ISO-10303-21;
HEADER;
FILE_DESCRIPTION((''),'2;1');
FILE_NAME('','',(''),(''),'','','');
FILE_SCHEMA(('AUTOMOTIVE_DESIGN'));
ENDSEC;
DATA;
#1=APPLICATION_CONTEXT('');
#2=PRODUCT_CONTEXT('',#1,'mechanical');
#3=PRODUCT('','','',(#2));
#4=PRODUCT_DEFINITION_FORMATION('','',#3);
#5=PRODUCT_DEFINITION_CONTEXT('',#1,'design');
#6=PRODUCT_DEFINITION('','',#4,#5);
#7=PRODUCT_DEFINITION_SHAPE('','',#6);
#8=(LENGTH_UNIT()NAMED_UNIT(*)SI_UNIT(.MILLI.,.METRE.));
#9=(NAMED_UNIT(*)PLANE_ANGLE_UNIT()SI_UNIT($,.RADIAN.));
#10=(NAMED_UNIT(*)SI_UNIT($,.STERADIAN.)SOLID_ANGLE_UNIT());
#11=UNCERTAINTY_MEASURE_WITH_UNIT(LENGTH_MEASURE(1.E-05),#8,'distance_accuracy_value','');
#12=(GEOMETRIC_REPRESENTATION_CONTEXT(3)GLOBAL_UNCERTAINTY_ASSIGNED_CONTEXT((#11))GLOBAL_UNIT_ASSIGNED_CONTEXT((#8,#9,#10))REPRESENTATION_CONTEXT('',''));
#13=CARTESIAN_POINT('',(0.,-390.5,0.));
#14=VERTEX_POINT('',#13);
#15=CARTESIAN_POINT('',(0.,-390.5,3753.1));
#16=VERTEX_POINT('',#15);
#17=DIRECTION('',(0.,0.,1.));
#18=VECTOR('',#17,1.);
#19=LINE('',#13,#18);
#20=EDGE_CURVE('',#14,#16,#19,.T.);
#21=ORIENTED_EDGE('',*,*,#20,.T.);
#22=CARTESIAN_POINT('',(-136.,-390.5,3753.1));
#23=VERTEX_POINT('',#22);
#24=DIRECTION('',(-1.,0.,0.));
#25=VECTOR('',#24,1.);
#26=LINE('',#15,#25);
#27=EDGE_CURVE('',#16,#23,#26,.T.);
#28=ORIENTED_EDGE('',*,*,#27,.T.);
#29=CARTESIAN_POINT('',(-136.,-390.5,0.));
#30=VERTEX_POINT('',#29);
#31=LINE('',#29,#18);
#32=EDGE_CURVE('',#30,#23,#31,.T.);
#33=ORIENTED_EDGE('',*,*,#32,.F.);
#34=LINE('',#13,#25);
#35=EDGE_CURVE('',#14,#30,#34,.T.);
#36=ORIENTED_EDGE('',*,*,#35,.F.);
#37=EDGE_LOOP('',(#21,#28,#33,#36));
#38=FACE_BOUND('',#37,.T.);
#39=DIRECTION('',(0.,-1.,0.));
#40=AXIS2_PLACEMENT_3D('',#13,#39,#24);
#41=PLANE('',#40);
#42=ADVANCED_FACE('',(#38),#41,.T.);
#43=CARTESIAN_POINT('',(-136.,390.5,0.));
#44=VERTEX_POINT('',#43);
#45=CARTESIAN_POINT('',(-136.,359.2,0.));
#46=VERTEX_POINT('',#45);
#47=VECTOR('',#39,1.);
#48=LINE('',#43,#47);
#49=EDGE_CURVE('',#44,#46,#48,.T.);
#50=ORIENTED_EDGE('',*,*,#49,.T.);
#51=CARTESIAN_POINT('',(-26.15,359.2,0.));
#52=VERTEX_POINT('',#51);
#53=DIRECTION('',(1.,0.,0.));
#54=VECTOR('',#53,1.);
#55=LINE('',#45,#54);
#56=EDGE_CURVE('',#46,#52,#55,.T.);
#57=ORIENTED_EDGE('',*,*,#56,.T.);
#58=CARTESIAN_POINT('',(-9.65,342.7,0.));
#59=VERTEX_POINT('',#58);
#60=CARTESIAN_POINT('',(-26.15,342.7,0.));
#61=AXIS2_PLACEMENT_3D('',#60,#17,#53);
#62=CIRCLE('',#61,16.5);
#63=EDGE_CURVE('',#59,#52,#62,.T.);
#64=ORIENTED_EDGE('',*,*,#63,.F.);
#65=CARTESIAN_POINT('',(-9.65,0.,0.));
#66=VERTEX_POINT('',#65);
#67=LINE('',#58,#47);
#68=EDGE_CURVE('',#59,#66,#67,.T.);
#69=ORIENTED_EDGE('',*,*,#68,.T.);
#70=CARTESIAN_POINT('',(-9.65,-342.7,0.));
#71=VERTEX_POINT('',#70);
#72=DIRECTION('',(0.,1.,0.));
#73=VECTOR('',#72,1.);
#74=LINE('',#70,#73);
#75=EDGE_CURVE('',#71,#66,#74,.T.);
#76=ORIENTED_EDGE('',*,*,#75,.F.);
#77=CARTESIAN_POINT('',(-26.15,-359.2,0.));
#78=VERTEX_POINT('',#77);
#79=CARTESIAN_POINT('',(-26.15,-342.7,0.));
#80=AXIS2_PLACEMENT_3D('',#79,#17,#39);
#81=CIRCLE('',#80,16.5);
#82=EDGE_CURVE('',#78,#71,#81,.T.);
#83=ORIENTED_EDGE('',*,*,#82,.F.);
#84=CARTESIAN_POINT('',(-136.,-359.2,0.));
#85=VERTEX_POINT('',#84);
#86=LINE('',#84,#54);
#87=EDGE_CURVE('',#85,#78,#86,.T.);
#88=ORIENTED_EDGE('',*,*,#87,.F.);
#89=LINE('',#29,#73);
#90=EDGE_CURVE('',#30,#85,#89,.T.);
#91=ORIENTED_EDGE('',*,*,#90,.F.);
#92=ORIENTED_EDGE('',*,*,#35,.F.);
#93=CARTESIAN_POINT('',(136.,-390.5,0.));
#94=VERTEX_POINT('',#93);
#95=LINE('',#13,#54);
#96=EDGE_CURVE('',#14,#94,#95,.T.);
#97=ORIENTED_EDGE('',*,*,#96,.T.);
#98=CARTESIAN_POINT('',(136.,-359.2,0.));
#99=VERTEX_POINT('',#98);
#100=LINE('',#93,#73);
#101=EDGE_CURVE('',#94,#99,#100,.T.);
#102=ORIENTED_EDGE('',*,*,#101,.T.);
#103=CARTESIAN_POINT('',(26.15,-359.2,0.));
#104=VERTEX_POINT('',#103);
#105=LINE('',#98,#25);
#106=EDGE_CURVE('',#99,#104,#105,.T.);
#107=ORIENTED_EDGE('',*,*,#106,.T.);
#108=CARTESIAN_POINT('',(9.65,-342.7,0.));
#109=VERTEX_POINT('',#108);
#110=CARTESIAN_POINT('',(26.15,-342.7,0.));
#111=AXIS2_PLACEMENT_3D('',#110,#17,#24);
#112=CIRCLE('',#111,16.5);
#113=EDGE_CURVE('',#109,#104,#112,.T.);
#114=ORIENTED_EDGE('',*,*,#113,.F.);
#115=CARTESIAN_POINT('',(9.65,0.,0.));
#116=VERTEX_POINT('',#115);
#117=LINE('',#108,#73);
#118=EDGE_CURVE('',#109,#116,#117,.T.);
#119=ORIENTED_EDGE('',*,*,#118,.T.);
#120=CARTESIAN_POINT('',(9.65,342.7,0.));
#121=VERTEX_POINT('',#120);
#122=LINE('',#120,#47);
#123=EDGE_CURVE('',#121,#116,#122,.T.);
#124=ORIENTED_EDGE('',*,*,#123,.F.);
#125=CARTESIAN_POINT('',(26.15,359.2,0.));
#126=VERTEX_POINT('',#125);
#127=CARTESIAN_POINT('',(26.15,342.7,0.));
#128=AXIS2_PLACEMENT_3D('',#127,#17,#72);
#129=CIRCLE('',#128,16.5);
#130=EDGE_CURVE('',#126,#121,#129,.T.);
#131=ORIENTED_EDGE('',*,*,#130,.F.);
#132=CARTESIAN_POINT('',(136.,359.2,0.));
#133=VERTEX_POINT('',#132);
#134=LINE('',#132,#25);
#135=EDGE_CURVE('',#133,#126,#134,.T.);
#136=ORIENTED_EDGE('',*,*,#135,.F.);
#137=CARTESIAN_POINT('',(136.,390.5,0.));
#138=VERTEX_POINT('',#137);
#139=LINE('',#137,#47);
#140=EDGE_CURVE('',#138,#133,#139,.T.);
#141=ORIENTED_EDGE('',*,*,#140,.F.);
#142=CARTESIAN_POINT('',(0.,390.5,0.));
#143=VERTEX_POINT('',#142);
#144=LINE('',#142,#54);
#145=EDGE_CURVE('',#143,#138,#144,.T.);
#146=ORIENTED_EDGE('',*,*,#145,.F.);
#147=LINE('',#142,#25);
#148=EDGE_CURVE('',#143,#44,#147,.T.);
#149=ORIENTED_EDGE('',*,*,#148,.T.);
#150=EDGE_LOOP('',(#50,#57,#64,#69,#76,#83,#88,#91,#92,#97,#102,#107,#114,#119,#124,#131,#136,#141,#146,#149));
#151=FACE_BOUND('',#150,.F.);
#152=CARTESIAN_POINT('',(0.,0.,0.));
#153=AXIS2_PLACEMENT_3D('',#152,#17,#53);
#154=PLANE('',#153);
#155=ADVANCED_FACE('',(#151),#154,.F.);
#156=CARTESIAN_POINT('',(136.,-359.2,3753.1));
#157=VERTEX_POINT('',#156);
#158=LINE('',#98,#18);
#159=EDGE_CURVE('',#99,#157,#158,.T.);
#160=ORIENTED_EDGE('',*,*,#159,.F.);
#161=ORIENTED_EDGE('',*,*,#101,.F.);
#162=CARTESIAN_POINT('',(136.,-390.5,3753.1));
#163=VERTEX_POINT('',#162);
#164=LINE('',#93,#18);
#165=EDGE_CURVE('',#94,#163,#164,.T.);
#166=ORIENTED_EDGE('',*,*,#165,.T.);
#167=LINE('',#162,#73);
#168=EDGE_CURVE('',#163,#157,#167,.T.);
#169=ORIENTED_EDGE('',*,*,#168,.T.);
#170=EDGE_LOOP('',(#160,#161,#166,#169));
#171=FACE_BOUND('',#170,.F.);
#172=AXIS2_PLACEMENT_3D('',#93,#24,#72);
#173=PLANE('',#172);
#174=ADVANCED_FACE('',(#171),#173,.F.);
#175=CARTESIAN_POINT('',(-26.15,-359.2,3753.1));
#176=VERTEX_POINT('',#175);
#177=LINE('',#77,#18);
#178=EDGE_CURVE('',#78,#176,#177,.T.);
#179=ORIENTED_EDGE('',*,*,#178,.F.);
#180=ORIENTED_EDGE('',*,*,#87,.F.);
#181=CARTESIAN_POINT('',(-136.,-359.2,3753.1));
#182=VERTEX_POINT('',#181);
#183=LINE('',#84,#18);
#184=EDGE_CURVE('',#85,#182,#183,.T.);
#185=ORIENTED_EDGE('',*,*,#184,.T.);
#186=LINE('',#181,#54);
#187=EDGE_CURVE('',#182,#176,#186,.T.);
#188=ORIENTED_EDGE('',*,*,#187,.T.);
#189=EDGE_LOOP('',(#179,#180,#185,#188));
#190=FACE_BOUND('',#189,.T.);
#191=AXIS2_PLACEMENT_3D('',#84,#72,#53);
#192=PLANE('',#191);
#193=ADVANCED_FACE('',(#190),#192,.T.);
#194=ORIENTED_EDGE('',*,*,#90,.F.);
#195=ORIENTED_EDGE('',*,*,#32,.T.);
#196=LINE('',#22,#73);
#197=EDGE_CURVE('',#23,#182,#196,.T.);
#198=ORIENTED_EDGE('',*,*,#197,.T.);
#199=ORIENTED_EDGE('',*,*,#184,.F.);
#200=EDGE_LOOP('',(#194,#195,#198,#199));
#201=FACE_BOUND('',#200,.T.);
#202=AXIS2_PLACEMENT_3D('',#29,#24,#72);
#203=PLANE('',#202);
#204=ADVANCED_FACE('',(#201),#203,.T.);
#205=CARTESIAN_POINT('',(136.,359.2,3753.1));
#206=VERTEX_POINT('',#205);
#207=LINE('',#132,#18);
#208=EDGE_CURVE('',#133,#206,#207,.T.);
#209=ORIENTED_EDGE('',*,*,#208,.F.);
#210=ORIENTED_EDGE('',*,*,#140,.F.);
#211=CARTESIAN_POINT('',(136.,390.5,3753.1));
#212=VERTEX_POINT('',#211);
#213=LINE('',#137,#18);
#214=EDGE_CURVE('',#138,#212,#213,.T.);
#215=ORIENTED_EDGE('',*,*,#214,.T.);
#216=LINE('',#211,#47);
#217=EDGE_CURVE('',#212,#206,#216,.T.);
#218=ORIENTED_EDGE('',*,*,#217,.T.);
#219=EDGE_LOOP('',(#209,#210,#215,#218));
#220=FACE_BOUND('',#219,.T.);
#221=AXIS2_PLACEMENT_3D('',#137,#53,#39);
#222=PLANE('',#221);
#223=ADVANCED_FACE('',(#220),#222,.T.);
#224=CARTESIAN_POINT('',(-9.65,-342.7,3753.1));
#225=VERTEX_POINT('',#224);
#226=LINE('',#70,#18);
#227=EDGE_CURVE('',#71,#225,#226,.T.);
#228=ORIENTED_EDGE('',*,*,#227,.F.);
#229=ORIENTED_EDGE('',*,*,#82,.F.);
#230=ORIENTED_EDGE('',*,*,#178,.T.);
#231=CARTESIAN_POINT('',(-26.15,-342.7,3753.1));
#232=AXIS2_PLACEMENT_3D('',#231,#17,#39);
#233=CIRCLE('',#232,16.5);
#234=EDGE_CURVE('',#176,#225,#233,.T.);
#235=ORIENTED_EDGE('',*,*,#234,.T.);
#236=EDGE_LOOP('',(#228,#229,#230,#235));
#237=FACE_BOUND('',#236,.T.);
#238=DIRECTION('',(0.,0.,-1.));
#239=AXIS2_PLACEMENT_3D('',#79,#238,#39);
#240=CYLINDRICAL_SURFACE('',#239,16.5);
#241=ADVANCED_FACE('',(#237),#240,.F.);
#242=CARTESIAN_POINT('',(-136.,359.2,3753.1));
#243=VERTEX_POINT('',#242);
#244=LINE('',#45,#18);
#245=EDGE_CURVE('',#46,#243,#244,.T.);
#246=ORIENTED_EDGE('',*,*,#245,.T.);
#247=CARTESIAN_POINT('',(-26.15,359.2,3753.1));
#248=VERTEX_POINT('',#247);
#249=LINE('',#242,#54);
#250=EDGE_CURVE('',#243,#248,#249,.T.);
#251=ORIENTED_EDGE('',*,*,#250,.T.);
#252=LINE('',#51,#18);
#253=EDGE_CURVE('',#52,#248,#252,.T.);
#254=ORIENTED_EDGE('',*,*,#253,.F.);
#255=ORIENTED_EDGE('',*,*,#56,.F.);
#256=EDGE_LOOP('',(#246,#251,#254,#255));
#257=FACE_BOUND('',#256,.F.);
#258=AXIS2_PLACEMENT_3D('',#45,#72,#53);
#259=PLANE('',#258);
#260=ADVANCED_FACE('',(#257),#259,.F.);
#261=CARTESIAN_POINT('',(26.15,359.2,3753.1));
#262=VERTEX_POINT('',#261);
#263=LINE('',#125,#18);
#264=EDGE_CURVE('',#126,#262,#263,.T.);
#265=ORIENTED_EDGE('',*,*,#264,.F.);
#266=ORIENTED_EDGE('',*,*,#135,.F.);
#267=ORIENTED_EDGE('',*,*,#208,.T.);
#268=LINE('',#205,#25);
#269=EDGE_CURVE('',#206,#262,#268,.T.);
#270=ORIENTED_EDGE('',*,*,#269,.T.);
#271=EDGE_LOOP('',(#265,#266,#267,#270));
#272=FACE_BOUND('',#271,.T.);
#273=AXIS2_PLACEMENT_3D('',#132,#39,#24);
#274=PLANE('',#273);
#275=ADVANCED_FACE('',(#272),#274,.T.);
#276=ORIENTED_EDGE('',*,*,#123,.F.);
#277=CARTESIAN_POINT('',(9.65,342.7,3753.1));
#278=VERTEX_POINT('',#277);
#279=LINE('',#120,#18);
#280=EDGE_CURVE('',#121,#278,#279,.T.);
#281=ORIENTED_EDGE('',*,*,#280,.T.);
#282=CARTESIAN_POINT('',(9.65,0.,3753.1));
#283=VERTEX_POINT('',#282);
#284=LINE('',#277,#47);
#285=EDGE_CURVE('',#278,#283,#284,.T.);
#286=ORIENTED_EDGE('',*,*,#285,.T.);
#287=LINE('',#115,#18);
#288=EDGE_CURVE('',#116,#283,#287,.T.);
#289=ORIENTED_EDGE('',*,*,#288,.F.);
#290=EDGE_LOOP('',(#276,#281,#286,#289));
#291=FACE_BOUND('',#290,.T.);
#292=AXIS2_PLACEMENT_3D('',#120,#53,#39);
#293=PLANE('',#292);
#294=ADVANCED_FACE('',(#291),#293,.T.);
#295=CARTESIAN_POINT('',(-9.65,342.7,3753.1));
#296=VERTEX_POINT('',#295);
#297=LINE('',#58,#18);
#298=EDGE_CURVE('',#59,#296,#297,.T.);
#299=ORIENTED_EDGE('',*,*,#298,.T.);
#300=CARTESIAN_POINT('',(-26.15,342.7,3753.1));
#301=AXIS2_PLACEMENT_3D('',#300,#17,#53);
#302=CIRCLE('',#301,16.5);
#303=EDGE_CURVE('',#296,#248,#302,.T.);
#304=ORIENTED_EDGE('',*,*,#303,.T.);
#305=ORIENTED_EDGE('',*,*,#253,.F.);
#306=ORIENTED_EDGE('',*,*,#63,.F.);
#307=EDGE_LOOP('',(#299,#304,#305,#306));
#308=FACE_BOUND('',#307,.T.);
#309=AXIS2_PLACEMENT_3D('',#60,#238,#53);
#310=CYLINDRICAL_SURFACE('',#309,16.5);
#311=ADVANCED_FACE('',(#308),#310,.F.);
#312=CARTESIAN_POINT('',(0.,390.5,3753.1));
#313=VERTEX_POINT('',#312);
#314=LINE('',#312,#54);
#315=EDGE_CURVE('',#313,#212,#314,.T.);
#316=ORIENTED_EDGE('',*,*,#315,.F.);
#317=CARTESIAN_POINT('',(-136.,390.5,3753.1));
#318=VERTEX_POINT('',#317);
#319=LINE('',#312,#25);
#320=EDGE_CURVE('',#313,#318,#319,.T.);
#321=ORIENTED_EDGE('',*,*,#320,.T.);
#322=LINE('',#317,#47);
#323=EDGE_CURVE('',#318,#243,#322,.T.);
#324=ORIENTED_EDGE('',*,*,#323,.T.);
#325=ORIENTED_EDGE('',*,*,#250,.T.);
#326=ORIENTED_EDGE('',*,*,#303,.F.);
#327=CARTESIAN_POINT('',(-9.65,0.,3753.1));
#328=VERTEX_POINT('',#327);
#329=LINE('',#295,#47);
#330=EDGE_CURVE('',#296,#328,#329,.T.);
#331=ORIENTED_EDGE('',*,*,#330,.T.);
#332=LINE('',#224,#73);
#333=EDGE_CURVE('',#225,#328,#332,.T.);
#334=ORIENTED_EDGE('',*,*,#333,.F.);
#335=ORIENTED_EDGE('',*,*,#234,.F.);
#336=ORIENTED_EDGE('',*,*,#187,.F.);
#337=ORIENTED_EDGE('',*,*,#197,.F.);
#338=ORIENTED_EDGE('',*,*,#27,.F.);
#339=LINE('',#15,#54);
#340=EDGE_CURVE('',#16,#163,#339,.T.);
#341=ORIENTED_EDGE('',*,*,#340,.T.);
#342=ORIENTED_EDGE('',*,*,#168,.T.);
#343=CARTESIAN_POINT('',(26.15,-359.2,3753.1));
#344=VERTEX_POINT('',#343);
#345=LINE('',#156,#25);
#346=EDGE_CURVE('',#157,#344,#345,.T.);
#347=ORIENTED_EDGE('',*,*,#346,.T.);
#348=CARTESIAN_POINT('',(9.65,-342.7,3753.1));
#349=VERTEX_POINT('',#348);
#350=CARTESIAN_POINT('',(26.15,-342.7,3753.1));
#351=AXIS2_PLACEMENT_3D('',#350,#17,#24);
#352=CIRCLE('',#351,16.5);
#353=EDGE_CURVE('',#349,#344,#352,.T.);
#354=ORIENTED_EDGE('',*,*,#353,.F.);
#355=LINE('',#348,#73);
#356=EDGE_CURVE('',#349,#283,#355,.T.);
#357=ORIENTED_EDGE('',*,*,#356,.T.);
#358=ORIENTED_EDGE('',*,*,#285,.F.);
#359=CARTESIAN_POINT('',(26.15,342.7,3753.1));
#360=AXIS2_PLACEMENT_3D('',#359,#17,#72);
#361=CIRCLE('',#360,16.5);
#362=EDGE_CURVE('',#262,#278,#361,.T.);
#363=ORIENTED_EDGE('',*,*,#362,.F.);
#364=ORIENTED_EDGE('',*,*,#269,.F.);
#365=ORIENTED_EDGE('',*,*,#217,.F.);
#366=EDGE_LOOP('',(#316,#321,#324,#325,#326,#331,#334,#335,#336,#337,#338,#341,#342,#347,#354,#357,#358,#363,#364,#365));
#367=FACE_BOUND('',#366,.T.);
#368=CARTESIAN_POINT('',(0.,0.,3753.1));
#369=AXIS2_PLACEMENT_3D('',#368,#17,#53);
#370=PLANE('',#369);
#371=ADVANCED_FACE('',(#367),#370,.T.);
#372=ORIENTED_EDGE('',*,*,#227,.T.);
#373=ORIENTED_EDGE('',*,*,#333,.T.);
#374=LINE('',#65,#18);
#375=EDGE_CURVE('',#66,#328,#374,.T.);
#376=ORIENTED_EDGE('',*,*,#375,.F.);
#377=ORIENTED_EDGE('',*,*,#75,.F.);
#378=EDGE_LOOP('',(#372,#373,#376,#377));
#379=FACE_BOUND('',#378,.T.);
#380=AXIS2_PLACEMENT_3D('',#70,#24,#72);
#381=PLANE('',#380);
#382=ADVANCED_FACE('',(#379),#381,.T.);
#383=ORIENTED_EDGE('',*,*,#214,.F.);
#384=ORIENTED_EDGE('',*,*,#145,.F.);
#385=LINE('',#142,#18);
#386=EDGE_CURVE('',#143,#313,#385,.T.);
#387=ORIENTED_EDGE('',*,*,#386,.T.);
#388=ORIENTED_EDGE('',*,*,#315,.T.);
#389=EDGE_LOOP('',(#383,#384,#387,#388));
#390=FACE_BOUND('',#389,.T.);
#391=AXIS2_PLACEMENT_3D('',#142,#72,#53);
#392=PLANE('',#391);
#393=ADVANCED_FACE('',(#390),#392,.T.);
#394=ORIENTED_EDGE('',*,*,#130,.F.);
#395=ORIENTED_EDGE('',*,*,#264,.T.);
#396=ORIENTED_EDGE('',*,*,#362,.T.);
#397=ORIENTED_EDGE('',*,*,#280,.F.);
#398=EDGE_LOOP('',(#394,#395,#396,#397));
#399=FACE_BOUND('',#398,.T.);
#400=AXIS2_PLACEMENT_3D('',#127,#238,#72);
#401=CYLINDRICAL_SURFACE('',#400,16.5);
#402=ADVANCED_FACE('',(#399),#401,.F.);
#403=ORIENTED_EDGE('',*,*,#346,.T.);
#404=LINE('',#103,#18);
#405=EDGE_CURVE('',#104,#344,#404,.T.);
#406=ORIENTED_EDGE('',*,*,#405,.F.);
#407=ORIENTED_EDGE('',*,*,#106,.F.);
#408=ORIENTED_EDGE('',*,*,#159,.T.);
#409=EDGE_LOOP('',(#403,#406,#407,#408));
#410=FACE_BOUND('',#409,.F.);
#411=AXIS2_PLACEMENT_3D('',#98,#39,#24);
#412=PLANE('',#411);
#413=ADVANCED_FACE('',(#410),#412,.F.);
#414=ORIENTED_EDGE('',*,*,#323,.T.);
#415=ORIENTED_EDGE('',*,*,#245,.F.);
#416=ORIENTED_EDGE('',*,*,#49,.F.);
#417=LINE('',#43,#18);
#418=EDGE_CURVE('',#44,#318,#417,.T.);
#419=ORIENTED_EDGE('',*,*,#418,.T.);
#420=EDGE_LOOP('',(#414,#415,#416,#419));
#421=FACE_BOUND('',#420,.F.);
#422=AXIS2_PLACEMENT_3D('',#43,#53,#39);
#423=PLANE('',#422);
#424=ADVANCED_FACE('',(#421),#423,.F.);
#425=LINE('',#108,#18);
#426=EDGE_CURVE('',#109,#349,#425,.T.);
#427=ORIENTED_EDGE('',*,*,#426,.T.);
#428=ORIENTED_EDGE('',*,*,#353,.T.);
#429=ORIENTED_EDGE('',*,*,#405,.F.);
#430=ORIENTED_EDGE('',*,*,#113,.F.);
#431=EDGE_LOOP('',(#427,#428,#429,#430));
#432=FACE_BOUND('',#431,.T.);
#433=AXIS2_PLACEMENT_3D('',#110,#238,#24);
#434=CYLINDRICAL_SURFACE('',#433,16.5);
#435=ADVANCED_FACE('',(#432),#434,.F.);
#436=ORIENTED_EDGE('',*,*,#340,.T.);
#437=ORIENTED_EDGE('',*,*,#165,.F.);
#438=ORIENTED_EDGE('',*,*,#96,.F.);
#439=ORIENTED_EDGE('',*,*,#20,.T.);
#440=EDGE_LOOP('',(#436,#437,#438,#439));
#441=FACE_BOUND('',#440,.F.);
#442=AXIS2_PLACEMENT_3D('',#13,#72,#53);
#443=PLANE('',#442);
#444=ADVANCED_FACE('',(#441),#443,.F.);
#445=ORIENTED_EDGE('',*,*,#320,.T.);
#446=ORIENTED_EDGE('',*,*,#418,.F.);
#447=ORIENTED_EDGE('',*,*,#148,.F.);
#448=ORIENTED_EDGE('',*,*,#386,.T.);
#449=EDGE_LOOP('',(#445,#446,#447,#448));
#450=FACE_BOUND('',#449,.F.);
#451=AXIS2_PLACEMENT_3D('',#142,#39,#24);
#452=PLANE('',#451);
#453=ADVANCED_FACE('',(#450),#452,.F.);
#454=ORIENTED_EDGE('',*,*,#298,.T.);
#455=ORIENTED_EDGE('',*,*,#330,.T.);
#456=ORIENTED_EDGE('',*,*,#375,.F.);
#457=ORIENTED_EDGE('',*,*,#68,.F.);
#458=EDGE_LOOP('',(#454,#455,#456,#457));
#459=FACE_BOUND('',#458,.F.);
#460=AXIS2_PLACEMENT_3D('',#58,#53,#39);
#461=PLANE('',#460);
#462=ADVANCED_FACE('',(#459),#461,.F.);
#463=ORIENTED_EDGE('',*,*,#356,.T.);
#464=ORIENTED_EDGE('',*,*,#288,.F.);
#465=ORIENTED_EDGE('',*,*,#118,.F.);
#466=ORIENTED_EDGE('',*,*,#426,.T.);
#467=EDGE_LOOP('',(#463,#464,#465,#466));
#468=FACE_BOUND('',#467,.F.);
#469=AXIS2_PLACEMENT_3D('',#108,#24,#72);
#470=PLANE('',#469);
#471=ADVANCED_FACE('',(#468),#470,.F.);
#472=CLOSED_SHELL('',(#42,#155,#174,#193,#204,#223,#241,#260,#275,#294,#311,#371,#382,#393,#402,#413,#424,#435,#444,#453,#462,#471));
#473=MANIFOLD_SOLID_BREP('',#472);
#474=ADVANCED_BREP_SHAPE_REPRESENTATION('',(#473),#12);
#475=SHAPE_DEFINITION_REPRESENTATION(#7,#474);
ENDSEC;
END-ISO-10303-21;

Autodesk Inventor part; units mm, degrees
ref_plane "YZ Plane" through (0, 0, 0) normal (1, 0, 0) x (0, 1, 0)
ref_plane "Start plane" through (0, 0, 0) normal (0, 0, 1) x (1, 0, 0)
ref_plane "End plane" through (0, 0, 3753.1) normal (0, 0, 1) x (1, 0, 0)
sketch "Sketch" plane through (0, 0, 0) normal (0, 0, 1) x (1, 0, 0)
  line L0 (-136, -390.5) -> (-136, -359.2)
  line L1 (-136, -359.2) -> (-26.15, -359.2)
  line L2 (-9.65, -342.7) -> (-9.65, 0)
  line L3 (-9.65, 0) -> (0, 0) construction
  line L4 (0, 0) -> (0, -390.5) construction
  line L5 (0, -390.5) -> (-136, -390.5)
  line L6 (-60, 0) -> (80, 0) construction
  line L7 (0, -60) -> (0, 80) construction
  line L8 (136, -390.5) -> (136, -359.2)
  line L9 (136, -359.2) -> (26.15, -359.2)
  line L10 (9.65, -342.7) -> (9.65, 0)
  line L11 (9.65, 0) -> (0, 0) construction
  line L12 (0, -390.5) -> (136, -390.5)
  line L13 (-136, 390.5) -> (-136, 359.2)
  line L14 (-136, 359.2) -> (-26.15, 359.2)
  line L15 (-9.65, 342.7) -> (-9.65, 0)
  line L16 (0, 390.5) -> (-136, 390.5)
  line L17 (136, 390.5) -> (136, 359.2)
  line L18 (136, 359.2) -> (26.15, 359.2)
  line L19 (0, 390.5) -> (136, 390.5)
  line L20 (9.65, 342.7) -> (9.65, 0)
  arc A0 (-9.65, 342.7) -> (-26.15, 359.2) centre (-26.15, 342.7) ccw
  arc A1 (26.15, 359.2) -> (9.65, 342.7) centre (26.15, 342.7) ccw
  arc A2 (9.65, -342.7) -> (26.15, -359.2) centre (26.15, -342.7) ccw
  arc A3 (-26.15, -359.2) -> (-9.65, -342.7) centre (-26.15, -342.7) ccw
  line L21 (0, 108) -> (0, -88) construction
  line L22 (-88, 0) -> (108, 0) construction
  point P0 (-9.65, -359.2)
  point P1 (9.65, -359.2)
  point P2 (-9.65, 359.2)
  point P3 (9.65, 359.2)
  dimension "d1" = 390.5
  dimension "d2" = 31.3
  dimension "d3" = 136
  dimension "d4" = 9.65
  dimension "d10" = 16.5
extrude "Body" add sketch "Sketch" along normal up to surface (3753.1 mm away) from surface at 0
sketch "Sketch4" plane through (0, 0, 0) normal (0, 0, 1) x (1, 0, 0)
  line L0 (0, 0) -> (10, 0)
ref_plane "Work Plane3" through (0, 0, 0) normal (0, -1, 0) x (1, 0, 0)
sketch "Sketch5" plane through (0, 0, 0) normal (0, -1, 0) x (1, 0, 0)
  line L0 (-2, 0) -> (12, 0) projected
  line L1 (-2, 3753.1) -> (12, 3753.1) projected
  dimension "d14" = 3753.1
equation "\"d1\" = 0.5 * G_H"
equation "\"d2\" = G_T1"
equation "\"d3\" = 0.5 * G_W"
equation "\"d4\" = 0.5 * G_T"
equation "\"d10\" = G_IR"
equation "\"d5\" = G_L"
equation "\"G_W\" = 272"
equation "\"G_H\" = 781"
equation "\"G_T\" = 19.3"
equation "\"G_T1\" = 31.3"
equation "\"G_IR\" = 16.5"
equation "\"G_L\" = d14"
equation "\"G_OFFSET_START\" = 0"
equation "\"G_OFFSET_END\" = 0"
equation "\"d12\" = G_OFFSET_END + B_L"
equation "\"B_L\" = 3753.1"
properties part number "AS 3679-1990 - 760 UB - 244 - 3753.1" material "Steel, Mild"
